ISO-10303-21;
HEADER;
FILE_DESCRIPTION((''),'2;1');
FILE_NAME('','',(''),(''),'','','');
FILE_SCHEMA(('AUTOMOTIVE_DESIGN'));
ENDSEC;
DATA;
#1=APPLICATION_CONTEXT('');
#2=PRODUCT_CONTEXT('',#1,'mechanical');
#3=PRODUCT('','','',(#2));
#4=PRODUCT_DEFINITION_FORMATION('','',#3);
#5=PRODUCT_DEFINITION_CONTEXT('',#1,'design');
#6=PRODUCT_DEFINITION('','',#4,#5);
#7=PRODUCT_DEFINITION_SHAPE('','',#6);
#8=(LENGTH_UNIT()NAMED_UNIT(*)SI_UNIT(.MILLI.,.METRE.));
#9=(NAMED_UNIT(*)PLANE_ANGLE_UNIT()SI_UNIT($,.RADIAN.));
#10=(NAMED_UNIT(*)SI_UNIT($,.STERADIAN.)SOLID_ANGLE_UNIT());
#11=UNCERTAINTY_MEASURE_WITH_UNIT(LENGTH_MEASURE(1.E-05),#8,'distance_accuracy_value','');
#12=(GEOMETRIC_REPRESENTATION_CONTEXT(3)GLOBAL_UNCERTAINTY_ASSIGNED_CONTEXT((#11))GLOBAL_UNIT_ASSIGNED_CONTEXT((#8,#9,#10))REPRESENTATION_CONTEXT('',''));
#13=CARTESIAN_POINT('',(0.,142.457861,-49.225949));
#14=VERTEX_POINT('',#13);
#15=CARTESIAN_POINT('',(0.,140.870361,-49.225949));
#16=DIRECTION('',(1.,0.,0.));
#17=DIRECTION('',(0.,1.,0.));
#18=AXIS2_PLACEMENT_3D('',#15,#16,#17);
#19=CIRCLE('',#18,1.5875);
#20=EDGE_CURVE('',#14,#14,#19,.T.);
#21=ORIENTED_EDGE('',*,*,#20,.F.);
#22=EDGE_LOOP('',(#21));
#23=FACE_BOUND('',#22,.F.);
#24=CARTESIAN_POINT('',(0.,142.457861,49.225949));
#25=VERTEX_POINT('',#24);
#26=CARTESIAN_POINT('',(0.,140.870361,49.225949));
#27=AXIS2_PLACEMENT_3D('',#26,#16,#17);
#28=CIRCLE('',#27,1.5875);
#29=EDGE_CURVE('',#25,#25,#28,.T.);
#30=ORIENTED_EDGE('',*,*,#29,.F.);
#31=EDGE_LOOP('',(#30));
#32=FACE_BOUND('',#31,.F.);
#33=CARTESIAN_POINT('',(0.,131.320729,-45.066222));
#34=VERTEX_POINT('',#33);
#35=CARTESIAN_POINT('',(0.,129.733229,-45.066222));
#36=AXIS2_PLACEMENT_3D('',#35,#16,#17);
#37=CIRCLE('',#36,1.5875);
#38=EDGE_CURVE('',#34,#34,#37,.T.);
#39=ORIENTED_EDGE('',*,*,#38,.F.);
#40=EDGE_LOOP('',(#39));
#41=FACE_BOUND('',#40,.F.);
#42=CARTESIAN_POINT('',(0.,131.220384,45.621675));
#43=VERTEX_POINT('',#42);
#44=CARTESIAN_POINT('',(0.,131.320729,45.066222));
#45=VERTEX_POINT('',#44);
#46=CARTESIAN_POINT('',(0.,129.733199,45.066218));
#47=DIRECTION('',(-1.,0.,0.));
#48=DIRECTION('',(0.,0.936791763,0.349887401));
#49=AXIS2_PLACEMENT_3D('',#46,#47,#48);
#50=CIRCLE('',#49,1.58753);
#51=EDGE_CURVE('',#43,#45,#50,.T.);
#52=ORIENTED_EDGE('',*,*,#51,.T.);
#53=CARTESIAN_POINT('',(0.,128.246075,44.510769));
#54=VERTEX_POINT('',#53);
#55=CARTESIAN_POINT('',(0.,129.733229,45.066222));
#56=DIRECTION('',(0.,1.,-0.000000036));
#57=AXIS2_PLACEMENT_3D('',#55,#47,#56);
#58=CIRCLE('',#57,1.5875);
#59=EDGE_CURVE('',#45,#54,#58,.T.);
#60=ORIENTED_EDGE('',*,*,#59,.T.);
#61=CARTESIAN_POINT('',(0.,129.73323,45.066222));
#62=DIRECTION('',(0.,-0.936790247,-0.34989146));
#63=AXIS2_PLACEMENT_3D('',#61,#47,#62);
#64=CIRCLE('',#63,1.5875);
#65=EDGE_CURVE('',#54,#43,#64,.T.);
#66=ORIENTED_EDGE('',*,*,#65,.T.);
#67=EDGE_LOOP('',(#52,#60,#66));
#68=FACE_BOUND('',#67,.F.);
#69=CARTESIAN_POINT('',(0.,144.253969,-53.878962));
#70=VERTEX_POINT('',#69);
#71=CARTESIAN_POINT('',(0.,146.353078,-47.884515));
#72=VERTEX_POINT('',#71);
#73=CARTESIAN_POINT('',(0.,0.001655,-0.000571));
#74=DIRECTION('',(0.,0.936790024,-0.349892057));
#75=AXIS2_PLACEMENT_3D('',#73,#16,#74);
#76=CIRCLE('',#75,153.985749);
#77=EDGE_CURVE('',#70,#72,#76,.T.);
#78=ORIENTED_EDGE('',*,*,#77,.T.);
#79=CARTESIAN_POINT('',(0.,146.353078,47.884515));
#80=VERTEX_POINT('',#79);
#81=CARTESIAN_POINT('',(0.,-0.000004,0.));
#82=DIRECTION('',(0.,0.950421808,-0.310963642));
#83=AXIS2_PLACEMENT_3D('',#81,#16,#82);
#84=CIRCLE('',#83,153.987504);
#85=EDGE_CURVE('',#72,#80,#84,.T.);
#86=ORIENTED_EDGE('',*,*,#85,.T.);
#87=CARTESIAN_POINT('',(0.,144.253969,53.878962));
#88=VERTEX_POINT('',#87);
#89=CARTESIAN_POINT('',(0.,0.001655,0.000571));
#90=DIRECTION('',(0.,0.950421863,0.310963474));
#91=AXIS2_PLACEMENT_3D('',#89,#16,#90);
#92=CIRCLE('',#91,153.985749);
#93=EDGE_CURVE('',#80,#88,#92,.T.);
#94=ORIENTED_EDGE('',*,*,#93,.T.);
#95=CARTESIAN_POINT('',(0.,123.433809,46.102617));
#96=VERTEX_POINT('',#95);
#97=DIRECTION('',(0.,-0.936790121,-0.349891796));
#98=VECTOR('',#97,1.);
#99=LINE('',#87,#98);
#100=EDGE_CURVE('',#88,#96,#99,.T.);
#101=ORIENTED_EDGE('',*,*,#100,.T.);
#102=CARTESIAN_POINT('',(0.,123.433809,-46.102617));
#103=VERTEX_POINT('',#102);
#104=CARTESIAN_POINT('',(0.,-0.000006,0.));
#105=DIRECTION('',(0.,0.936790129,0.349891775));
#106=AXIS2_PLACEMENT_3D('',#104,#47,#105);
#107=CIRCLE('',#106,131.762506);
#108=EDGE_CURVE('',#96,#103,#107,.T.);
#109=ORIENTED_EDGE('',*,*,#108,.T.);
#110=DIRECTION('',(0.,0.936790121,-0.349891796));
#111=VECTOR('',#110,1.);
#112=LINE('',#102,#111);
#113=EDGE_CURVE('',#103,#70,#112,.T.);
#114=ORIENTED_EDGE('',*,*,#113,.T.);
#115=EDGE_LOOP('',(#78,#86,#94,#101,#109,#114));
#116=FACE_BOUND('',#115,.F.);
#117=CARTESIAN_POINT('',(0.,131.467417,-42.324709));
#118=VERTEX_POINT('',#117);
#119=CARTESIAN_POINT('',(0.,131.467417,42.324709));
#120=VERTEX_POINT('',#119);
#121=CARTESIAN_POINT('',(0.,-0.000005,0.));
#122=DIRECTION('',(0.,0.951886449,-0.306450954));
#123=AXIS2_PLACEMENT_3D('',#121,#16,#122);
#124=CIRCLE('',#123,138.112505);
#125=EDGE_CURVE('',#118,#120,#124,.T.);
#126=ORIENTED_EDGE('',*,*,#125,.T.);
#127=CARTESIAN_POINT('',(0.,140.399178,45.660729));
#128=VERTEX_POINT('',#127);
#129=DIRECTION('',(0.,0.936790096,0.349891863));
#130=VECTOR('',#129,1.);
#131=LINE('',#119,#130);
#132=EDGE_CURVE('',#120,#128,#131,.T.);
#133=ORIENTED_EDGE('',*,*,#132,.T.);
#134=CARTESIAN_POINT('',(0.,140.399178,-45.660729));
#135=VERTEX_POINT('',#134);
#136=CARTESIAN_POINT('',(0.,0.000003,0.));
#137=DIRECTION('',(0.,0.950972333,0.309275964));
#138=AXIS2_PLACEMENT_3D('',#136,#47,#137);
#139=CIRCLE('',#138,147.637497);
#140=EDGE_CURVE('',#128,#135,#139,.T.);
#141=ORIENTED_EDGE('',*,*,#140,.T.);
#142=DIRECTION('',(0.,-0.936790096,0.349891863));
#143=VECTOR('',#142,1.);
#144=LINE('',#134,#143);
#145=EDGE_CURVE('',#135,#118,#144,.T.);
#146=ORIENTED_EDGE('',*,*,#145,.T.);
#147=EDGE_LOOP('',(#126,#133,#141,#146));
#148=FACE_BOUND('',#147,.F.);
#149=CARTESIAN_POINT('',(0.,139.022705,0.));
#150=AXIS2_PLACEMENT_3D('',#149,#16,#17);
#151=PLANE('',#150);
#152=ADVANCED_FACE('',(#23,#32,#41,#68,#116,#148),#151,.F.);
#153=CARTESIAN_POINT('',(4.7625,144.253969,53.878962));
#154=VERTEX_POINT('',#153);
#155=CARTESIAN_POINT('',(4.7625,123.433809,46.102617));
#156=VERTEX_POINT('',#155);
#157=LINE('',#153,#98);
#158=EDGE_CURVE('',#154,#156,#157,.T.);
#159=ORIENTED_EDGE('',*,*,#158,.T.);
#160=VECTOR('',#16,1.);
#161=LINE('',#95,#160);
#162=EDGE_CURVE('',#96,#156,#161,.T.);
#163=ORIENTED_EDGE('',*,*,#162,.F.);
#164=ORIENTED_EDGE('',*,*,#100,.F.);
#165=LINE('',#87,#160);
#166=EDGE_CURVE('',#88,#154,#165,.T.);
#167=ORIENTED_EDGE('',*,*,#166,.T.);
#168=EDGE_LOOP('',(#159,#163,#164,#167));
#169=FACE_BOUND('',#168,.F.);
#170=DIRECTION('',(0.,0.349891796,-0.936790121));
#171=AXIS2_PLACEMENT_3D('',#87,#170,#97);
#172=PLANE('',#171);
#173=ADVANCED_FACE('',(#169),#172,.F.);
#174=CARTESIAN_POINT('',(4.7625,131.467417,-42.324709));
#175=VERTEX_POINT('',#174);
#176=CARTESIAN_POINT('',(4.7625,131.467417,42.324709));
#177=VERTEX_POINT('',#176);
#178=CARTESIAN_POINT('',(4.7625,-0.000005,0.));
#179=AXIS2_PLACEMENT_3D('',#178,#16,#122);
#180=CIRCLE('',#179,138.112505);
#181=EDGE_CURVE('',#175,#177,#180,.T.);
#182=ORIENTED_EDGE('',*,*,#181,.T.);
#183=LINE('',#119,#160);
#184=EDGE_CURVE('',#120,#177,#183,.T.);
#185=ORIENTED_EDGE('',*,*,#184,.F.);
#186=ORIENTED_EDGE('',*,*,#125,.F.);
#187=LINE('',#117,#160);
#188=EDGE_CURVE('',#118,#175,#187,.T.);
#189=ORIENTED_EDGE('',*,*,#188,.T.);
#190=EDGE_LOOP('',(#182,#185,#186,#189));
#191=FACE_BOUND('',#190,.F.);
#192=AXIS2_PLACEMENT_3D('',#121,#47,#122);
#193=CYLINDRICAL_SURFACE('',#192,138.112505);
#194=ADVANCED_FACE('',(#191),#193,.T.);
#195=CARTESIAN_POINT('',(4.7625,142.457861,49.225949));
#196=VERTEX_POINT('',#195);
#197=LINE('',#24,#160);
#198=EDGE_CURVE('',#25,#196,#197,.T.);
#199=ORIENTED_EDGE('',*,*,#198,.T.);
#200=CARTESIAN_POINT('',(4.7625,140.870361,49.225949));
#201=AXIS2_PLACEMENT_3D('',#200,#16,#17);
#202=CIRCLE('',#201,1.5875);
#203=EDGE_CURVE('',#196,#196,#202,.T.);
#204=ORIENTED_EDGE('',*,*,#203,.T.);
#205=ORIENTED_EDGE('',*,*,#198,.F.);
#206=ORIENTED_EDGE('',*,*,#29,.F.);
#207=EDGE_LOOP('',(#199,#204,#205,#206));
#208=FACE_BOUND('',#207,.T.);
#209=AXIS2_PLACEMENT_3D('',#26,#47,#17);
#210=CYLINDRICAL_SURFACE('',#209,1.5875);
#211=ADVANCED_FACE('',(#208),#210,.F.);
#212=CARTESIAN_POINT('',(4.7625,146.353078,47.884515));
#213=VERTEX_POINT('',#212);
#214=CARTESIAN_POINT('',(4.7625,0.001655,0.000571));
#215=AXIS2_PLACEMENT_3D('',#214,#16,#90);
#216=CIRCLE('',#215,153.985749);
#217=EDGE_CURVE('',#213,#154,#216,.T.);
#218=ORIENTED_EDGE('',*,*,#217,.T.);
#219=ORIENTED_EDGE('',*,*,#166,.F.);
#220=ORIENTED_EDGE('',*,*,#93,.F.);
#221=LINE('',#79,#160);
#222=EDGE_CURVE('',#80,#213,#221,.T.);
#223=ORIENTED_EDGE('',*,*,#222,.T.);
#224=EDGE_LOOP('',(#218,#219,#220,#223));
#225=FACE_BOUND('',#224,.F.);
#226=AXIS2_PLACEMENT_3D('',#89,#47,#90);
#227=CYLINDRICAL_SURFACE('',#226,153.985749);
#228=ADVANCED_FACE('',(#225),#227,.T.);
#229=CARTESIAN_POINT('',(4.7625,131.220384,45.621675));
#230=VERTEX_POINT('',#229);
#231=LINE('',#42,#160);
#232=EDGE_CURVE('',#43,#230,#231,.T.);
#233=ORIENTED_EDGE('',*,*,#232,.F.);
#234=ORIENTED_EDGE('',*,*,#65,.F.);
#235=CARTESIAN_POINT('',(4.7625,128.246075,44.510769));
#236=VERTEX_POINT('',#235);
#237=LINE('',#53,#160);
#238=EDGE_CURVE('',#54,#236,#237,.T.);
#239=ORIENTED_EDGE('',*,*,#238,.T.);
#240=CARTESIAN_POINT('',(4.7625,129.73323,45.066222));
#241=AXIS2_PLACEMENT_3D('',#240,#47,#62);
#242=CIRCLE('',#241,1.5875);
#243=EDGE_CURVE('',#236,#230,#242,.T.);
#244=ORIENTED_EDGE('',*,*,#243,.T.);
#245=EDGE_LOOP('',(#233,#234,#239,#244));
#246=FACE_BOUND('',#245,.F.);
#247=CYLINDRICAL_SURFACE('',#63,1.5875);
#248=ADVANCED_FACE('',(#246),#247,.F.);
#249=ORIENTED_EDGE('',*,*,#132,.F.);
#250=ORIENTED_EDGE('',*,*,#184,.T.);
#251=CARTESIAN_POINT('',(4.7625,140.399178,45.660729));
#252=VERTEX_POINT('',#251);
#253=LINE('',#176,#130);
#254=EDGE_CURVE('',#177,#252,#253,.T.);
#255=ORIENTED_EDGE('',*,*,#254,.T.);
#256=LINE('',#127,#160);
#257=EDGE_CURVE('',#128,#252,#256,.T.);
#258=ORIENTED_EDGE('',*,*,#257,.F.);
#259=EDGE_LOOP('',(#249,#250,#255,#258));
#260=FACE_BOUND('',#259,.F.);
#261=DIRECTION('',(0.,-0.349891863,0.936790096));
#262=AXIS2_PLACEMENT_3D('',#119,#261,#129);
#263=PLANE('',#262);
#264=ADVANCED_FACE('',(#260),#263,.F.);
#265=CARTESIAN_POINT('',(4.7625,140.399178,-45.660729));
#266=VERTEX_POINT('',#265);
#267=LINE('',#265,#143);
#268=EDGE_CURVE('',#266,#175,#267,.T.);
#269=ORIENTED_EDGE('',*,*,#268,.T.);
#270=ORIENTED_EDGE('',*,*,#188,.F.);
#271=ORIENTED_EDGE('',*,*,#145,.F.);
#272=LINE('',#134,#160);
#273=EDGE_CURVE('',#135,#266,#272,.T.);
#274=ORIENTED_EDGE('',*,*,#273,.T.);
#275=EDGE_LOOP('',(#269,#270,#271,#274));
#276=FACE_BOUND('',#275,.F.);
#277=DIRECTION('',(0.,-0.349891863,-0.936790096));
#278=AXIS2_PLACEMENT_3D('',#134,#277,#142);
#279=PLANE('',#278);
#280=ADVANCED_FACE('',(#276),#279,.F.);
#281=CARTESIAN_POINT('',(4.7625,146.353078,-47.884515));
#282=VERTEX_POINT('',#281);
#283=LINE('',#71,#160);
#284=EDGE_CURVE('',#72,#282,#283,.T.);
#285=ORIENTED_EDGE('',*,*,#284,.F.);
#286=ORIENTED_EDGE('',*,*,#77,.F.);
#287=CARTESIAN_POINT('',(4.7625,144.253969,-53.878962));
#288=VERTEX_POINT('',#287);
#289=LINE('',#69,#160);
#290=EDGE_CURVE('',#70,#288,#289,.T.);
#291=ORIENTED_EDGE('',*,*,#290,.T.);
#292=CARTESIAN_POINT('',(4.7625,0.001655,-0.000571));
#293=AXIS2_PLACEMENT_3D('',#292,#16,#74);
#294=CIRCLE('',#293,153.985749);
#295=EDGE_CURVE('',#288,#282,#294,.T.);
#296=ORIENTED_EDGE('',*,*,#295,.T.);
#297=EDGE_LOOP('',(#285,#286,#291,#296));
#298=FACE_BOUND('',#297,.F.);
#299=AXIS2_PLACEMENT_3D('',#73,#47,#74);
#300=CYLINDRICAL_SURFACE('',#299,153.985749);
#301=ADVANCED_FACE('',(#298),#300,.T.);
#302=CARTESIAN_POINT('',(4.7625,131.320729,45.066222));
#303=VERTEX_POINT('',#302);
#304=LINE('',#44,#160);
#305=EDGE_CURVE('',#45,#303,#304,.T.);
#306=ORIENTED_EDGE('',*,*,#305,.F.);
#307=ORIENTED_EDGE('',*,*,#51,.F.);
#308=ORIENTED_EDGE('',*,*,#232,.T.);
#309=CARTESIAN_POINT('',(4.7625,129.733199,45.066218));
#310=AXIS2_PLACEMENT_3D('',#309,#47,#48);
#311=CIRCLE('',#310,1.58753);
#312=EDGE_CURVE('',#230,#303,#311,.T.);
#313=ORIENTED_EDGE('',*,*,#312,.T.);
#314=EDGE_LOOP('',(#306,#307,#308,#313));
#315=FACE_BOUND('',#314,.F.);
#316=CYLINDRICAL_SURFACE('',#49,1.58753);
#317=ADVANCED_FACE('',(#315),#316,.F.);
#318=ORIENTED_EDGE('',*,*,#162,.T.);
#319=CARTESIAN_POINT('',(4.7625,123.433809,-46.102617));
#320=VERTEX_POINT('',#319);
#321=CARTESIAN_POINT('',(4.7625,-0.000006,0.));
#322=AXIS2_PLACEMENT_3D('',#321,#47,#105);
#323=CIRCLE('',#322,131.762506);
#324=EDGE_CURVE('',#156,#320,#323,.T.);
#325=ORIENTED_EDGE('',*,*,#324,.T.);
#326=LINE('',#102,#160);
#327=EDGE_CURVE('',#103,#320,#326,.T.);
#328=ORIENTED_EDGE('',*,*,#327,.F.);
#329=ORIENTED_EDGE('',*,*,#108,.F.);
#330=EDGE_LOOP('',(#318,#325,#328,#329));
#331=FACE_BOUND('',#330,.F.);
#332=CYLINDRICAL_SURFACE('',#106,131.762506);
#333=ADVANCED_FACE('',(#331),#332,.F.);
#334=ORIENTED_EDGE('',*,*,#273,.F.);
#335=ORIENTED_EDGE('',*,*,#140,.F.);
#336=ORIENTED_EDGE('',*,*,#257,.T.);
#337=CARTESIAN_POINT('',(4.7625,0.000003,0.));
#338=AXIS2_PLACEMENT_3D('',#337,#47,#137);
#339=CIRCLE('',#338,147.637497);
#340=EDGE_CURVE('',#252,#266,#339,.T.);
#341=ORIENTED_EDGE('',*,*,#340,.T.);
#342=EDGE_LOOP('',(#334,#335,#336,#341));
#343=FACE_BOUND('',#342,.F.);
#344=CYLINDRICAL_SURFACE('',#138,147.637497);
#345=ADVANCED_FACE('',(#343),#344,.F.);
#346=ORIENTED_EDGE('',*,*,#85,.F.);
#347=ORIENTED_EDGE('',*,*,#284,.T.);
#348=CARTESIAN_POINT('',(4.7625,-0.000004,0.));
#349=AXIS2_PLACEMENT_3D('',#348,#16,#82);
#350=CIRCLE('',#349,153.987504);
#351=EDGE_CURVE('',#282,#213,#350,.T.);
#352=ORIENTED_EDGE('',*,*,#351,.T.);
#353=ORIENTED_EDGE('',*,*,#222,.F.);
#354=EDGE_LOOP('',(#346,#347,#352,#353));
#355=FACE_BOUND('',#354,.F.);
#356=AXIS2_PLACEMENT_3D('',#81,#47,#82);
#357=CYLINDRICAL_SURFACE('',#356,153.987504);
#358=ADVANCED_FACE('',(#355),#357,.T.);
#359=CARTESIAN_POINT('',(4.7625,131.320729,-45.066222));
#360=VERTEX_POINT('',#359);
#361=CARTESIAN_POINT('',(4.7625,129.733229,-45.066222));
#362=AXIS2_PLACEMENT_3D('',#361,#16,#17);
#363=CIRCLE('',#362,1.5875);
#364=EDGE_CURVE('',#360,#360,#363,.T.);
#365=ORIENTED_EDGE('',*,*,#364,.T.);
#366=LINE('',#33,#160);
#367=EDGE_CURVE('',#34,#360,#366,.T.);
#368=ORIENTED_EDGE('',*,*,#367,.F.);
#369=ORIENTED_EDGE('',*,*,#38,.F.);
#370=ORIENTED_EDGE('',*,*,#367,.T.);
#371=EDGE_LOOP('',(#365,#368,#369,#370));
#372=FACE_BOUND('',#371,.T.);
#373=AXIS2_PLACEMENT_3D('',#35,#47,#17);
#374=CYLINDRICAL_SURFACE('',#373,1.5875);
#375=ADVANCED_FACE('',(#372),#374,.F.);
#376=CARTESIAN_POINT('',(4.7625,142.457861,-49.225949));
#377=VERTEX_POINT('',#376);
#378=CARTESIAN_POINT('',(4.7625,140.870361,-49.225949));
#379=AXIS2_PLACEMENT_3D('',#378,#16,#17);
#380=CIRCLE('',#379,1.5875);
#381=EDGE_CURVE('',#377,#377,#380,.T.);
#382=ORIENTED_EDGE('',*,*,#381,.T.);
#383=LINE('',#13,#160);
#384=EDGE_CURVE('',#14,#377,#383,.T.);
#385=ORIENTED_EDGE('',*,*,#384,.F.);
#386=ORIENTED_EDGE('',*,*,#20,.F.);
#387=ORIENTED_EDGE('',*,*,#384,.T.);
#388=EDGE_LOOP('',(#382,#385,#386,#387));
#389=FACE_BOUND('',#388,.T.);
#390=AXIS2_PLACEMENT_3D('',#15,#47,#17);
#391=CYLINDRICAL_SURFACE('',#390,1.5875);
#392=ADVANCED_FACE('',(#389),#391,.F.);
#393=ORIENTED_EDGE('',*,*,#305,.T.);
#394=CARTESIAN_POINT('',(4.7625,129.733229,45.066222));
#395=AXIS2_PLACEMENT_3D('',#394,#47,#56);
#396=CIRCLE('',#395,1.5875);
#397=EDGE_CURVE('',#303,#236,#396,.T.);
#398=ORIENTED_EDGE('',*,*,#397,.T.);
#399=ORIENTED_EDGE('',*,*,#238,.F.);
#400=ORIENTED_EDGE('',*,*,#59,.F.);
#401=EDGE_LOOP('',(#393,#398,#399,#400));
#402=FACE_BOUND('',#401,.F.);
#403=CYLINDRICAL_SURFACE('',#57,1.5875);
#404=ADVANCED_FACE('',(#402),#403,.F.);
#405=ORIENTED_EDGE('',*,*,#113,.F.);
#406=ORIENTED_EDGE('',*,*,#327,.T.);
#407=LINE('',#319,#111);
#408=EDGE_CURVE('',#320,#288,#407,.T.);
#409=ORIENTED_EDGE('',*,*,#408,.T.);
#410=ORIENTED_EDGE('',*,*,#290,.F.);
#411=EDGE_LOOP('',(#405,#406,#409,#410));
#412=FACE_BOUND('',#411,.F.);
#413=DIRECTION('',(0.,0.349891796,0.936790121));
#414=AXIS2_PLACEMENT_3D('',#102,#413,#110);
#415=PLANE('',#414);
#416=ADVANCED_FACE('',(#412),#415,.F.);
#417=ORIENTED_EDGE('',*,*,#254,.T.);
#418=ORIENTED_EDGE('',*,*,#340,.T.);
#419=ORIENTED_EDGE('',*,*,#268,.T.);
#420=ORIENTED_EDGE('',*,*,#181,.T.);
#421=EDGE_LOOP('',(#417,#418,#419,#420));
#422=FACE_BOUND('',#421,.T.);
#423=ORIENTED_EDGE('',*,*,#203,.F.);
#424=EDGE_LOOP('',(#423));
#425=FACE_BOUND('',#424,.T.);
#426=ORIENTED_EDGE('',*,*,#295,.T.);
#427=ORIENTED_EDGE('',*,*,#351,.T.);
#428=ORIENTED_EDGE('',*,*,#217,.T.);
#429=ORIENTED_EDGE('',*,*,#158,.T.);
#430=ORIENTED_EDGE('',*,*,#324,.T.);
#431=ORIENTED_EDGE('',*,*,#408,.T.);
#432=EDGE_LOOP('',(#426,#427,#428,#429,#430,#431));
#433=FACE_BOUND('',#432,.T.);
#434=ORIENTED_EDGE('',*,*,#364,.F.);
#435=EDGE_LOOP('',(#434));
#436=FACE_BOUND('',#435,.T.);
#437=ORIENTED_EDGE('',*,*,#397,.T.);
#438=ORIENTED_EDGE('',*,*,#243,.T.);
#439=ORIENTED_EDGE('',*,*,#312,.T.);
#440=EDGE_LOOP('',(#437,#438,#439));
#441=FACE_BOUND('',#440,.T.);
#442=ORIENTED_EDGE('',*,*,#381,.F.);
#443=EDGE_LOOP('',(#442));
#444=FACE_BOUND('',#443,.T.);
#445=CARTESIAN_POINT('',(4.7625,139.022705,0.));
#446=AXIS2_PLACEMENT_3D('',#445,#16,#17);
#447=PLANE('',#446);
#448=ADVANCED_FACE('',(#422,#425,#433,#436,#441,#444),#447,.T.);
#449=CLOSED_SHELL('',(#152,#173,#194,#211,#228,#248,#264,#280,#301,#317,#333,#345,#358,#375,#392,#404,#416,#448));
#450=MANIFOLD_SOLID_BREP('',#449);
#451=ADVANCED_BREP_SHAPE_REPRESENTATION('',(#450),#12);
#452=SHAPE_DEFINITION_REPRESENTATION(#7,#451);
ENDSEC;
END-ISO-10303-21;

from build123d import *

# Parameters (mm, degrees)
F0_R     = 1.5875
F1_DEPTH = 4.7625


with BuildPart() as f1:
    # F0 (on Right) → F1 (new body)
    with BuildSketch(Plane.YZ):
        with BuildLine():
            Line((144.253969, 53.878962), (123.433809, 46.102617))
            ThreePointArc((123.433809, 46.102617), (131.7625, 0), (123.433809, -46.102617))
            Line((123.433809, -46.102617), (144.253969, -53.878962))
            ThreePointArc((144.253969, -53.878962), (145.334433, -50.892562), (146.353078, -47.884515))
            ThreePointArc((146.353078, -47.884515), (153.9875, 0), (146.353078, 47.884515))
            ThreePointArc((146.353078, 47.884515), (145.334433, 50.892562), (144.253969, 53.878962))
        make_face()
        with Locations((129.733229, -45.066222)):
            Circle(F0_R, mode=Mode.SUBTRACT)
        with Locations((140.870361, -49.225949)):
            Circle(F0_R, mode=Mode.SUBTRACT)
        with BuildLine():
            ThreePointArc((128.246075, 44.510769), (129.177776, 46.553376), (131.220384, 45.621675))
            ThreePointArc((131.220384, 45.621675), (131.295441, 45.348444), (131.320729, 45.066222))
            ThreePointArc((131.320729, 45.066222), (130.015451, 43.50401), (128.246075, 44.510769))
        make_face(mode=Mode.SUBTRACT)
        with BuildLine():
            ThreePointArc((131.467417, -42.324709), (138.1125, 0), (131.467417, 42.324709))
            Line((131.467417, 42.324709), (140.399178, 45.660729))
            ThreePointArc((140.399178, 45.660729), (147.6375, 0), (140.399178, -45.660729))
            Line((140.399178, -45.660729), (131.467417, -42.324709))
        make_face(mode=Mode.SUBTRACT)
        with Locations((140.870361, 49.225949)):
            Circle(F0_R, mode=Mode.SUBTRACT)
    extrude(amount=F1_DEPTH)


solid = f1.part
